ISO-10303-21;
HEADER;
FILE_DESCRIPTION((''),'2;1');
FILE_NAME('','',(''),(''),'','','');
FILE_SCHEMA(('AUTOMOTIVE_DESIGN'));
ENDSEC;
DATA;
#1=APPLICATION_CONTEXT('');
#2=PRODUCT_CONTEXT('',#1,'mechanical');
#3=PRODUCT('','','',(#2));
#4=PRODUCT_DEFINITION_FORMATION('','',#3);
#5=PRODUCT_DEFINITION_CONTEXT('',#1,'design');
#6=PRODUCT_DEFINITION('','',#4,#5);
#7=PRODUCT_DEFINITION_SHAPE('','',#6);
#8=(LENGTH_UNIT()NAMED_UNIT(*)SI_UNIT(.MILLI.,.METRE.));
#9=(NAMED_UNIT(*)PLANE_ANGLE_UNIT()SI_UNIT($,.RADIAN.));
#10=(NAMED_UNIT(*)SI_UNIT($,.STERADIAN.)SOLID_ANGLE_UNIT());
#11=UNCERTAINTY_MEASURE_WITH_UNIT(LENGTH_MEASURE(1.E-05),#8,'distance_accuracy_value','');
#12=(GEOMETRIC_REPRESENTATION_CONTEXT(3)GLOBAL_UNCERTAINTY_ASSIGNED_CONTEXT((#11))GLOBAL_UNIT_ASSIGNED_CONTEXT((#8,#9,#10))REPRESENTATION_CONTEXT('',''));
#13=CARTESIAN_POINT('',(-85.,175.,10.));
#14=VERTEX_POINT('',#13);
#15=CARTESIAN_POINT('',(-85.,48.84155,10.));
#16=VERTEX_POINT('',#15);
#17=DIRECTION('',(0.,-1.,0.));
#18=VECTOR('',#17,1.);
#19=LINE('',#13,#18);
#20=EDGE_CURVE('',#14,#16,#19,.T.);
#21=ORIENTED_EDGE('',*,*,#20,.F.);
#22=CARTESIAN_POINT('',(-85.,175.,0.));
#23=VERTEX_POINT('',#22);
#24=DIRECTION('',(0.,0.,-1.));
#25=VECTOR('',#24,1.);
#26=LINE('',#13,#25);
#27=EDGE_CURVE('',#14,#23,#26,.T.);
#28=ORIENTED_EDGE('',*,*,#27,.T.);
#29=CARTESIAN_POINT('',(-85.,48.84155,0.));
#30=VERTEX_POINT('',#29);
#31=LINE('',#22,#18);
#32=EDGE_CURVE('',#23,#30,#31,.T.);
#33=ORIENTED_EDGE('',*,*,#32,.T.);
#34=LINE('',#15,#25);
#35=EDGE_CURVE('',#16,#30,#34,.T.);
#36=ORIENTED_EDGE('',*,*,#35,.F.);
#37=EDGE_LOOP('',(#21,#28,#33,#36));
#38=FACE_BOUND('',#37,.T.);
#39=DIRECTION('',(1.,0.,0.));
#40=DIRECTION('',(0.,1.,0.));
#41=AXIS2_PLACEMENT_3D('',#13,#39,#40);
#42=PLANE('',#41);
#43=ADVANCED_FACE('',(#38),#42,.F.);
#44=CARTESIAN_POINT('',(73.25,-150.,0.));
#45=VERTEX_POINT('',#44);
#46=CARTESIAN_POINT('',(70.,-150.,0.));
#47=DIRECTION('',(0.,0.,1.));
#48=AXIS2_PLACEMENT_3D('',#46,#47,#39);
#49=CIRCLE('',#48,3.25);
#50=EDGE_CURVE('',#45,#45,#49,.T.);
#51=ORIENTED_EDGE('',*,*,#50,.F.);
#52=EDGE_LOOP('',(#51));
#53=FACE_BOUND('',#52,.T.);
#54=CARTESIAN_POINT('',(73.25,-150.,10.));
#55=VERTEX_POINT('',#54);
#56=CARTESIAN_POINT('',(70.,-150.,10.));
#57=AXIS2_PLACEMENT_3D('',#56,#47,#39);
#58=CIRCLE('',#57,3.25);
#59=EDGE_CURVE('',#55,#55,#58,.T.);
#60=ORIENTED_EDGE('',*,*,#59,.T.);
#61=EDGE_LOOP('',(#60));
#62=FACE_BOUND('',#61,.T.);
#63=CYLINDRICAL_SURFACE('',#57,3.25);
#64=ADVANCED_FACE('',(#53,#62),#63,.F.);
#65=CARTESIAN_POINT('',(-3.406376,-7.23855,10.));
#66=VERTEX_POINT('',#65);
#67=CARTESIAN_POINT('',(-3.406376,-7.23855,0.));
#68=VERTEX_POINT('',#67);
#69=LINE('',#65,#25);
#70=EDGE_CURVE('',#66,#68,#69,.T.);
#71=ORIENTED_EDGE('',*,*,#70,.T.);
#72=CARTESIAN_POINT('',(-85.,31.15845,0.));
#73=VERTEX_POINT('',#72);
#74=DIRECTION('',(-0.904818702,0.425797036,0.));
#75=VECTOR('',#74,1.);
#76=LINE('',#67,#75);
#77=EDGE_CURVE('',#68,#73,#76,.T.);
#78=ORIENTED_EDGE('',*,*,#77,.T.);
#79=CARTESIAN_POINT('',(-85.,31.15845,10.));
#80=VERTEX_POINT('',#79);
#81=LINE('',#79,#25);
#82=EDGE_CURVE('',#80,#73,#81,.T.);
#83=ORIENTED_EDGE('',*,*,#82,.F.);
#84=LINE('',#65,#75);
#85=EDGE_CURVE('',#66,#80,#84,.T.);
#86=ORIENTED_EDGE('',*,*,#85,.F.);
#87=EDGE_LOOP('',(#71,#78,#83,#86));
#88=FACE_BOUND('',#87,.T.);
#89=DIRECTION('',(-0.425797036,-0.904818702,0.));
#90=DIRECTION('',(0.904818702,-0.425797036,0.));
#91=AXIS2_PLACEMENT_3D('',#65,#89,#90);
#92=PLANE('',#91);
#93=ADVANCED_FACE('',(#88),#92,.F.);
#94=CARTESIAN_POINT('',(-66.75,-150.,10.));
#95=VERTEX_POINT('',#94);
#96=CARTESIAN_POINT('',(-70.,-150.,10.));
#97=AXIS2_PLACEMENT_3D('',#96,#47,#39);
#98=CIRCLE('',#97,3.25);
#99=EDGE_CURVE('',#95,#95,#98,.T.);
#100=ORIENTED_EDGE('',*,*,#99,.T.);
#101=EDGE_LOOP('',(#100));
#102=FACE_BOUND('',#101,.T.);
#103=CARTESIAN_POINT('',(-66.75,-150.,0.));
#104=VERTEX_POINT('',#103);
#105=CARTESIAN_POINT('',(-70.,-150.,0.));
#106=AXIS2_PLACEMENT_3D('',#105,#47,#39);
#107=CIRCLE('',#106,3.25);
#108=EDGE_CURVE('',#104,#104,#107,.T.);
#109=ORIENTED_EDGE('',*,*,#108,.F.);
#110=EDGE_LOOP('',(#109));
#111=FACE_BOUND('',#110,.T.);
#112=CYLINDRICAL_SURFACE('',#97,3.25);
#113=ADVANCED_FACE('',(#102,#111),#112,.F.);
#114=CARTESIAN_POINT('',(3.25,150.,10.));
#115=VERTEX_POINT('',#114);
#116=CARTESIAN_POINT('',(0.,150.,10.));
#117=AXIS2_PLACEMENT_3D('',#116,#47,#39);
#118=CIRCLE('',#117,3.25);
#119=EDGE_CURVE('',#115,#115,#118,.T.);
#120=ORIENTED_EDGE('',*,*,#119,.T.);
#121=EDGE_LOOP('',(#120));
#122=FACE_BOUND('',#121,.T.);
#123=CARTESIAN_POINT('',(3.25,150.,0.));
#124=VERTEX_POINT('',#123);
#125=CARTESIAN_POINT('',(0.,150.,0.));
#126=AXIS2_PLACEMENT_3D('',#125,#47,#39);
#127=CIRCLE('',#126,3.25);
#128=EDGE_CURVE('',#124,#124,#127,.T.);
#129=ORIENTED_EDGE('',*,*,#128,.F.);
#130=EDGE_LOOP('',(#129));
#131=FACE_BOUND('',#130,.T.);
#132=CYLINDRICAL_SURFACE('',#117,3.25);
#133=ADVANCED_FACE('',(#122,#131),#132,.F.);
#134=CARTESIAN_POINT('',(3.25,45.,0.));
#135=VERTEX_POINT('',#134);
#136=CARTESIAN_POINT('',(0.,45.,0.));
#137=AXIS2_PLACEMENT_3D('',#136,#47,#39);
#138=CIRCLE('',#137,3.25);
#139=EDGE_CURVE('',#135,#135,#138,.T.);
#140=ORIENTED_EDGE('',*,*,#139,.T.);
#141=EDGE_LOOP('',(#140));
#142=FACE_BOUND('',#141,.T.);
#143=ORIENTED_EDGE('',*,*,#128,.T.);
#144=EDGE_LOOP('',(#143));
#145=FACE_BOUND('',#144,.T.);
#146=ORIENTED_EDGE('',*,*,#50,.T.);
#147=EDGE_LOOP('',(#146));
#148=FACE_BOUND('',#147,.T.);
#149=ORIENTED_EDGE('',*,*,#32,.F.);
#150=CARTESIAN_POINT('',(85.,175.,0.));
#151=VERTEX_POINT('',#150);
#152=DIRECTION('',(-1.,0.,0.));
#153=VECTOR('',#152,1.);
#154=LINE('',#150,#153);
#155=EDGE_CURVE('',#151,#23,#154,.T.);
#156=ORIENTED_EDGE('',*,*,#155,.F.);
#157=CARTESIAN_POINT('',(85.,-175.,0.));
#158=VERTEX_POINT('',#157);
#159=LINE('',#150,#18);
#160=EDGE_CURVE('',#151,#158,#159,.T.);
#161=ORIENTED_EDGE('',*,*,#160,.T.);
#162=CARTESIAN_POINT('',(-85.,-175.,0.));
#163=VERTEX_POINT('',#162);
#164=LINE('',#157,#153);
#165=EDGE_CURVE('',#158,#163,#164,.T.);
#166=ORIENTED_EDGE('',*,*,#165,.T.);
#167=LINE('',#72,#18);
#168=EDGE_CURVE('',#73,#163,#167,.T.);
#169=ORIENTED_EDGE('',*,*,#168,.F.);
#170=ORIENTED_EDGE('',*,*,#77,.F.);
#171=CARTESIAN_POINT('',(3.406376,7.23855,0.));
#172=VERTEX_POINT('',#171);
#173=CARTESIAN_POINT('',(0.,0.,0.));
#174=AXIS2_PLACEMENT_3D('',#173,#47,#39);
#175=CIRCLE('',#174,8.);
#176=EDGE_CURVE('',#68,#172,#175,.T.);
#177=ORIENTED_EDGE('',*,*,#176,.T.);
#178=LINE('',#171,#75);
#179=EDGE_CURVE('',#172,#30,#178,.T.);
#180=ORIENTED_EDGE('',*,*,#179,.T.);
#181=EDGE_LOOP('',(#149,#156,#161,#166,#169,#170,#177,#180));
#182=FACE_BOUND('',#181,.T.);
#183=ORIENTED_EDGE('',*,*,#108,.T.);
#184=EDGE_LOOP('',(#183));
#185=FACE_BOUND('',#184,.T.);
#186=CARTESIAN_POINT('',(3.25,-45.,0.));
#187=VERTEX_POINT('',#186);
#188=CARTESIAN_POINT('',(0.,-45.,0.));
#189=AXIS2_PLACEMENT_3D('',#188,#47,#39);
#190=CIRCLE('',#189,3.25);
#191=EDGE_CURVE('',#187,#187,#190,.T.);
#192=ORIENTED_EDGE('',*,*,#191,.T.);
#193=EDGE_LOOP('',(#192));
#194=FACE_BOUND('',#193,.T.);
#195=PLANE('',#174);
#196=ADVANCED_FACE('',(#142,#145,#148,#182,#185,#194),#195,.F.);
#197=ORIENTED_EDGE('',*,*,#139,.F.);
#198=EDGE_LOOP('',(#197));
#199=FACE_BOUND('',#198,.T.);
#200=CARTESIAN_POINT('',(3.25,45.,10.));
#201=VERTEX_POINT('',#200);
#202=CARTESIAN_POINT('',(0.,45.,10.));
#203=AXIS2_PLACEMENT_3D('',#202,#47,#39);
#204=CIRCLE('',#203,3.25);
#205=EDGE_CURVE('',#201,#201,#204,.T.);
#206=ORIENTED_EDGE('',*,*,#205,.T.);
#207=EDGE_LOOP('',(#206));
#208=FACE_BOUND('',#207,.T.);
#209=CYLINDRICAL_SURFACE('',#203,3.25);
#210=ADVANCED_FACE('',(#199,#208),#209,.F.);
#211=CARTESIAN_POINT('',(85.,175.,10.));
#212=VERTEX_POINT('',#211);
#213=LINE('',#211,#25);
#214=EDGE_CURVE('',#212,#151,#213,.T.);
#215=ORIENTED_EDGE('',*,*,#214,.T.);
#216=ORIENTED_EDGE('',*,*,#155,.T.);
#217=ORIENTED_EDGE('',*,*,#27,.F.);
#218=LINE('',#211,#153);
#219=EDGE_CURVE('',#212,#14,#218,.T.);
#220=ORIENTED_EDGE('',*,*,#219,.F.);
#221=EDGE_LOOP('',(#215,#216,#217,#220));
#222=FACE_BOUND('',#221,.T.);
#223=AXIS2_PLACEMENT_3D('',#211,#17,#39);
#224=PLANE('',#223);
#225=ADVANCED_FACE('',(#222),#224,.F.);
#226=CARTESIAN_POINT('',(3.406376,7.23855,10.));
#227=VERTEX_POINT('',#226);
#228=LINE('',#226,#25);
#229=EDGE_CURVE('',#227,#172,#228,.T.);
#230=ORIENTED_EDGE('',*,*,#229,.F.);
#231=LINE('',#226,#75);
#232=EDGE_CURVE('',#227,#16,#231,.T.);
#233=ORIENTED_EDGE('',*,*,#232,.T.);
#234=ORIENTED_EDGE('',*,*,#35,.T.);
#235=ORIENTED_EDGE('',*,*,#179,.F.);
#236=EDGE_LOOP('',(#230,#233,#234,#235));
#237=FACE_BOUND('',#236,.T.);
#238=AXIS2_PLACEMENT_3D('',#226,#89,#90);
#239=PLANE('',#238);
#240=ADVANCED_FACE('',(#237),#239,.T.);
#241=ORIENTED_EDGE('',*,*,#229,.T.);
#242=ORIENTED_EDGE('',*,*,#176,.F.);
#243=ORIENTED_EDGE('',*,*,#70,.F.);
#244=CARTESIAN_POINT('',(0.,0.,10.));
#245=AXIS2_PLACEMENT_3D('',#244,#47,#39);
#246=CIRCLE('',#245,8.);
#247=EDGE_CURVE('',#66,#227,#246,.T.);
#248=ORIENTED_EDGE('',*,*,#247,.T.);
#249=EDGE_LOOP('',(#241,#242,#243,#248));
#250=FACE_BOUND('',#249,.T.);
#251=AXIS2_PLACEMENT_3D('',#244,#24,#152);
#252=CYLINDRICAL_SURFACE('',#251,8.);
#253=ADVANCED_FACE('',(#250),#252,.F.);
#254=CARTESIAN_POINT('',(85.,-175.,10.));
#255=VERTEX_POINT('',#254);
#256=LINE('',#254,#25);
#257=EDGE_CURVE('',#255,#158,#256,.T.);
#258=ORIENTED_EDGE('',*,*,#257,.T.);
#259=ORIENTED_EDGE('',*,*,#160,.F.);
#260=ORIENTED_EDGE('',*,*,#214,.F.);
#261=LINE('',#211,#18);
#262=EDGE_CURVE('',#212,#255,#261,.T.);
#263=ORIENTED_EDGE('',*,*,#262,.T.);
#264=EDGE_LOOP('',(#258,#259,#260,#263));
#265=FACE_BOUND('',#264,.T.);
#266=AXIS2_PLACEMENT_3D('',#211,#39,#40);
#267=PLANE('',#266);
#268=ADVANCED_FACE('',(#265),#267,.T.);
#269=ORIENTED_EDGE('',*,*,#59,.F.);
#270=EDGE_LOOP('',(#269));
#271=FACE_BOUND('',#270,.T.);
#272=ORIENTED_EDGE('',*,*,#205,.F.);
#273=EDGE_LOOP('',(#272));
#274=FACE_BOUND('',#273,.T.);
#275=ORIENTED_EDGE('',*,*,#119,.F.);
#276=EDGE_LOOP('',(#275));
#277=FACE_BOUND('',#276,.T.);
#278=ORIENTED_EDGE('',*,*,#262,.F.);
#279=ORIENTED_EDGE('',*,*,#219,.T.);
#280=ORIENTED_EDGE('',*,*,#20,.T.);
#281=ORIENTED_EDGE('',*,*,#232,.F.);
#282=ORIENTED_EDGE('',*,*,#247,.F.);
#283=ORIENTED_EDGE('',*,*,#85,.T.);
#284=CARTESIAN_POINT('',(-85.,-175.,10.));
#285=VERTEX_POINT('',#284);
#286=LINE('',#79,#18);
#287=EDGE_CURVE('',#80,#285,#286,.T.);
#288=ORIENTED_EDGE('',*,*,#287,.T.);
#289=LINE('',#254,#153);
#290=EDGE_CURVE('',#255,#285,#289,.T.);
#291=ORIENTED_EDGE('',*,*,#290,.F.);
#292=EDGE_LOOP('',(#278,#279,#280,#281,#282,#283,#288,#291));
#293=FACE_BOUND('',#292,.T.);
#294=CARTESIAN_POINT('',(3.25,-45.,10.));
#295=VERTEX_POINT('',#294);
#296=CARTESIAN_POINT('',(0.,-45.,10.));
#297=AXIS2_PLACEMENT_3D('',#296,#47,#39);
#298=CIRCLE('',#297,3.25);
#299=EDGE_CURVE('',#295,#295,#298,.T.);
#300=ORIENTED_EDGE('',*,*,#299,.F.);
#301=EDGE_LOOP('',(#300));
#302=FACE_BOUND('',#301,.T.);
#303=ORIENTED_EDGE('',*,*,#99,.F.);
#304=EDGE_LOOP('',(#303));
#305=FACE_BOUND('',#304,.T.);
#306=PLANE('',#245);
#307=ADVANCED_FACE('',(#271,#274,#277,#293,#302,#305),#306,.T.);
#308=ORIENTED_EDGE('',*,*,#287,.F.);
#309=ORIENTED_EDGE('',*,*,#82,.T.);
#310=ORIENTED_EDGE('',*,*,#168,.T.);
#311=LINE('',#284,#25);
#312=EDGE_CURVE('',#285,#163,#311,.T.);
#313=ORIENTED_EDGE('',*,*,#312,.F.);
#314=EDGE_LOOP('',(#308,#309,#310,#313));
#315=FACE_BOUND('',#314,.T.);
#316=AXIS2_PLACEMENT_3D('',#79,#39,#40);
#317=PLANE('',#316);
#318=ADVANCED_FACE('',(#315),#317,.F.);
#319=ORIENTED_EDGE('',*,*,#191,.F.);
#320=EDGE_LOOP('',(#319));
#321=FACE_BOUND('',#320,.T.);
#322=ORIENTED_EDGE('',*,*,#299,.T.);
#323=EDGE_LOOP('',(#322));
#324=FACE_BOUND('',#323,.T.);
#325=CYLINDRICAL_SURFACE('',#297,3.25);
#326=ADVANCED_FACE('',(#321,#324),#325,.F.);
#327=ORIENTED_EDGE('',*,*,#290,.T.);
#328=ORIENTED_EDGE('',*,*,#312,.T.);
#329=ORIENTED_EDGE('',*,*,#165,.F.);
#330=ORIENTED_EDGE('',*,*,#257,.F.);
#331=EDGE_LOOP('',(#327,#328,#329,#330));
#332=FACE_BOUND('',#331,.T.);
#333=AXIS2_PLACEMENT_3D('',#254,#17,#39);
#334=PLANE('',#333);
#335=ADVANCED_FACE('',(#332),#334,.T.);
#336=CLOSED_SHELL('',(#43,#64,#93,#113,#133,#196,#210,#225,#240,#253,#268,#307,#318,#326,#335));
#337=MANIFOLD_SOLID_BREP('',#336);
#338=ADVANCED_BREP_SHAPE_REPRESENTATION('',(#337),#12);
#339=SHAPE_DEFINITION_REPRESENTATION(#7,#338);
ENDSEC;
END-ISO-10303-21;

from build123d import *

# Parameters (mm, degrees)
AUFSATZ_LINEAR_AUSTRAGEN1_DEPTH  = 10
F_6_5_6_5_DURCHMESSER_BOHRUNG5_D = 6.5


with BuildPart() as part:
    # Skizze1 → Aufsatz-Linear austragen1 (new body)
    with BuildSketch(Plane.XY):
        with BuildLine():
            Line((85, 175), (-85, 175))
            Line((-85, 175), (-85, 48.841550225))
            Line((-85, 48.841550225), (3.406376291, 7.238549618))
            ThreePointArc((3.406376291, 7.238549618), (7.238549618, -3.406376291), (-3.406376291, -7.238549618))
            Line((-3.406376291, -7.238549618), (-85, 31.158449775))
            Line((-85, 31.158449775), (-85, -175))
            Line((-85, -175), (85, -175))
            Line((85, -175), (85, 175))
        make_face()
    extrude(amount=AUFSATZ_LINEAR_AUSTRAGEN1_DEPTH)

    # Ø6.5 (6.5) Durchmesser Bohrung5 (through all)
    with Locations(Plane.XY.offset(10)):
        with Locations((0, 150), (-70, -150), (70, -150), (0, 45), (0, -45)):
            Hole(F_6_5_6_5_DURCHMESSER_BOHRUNG5_D / 2)


solid = part.part
